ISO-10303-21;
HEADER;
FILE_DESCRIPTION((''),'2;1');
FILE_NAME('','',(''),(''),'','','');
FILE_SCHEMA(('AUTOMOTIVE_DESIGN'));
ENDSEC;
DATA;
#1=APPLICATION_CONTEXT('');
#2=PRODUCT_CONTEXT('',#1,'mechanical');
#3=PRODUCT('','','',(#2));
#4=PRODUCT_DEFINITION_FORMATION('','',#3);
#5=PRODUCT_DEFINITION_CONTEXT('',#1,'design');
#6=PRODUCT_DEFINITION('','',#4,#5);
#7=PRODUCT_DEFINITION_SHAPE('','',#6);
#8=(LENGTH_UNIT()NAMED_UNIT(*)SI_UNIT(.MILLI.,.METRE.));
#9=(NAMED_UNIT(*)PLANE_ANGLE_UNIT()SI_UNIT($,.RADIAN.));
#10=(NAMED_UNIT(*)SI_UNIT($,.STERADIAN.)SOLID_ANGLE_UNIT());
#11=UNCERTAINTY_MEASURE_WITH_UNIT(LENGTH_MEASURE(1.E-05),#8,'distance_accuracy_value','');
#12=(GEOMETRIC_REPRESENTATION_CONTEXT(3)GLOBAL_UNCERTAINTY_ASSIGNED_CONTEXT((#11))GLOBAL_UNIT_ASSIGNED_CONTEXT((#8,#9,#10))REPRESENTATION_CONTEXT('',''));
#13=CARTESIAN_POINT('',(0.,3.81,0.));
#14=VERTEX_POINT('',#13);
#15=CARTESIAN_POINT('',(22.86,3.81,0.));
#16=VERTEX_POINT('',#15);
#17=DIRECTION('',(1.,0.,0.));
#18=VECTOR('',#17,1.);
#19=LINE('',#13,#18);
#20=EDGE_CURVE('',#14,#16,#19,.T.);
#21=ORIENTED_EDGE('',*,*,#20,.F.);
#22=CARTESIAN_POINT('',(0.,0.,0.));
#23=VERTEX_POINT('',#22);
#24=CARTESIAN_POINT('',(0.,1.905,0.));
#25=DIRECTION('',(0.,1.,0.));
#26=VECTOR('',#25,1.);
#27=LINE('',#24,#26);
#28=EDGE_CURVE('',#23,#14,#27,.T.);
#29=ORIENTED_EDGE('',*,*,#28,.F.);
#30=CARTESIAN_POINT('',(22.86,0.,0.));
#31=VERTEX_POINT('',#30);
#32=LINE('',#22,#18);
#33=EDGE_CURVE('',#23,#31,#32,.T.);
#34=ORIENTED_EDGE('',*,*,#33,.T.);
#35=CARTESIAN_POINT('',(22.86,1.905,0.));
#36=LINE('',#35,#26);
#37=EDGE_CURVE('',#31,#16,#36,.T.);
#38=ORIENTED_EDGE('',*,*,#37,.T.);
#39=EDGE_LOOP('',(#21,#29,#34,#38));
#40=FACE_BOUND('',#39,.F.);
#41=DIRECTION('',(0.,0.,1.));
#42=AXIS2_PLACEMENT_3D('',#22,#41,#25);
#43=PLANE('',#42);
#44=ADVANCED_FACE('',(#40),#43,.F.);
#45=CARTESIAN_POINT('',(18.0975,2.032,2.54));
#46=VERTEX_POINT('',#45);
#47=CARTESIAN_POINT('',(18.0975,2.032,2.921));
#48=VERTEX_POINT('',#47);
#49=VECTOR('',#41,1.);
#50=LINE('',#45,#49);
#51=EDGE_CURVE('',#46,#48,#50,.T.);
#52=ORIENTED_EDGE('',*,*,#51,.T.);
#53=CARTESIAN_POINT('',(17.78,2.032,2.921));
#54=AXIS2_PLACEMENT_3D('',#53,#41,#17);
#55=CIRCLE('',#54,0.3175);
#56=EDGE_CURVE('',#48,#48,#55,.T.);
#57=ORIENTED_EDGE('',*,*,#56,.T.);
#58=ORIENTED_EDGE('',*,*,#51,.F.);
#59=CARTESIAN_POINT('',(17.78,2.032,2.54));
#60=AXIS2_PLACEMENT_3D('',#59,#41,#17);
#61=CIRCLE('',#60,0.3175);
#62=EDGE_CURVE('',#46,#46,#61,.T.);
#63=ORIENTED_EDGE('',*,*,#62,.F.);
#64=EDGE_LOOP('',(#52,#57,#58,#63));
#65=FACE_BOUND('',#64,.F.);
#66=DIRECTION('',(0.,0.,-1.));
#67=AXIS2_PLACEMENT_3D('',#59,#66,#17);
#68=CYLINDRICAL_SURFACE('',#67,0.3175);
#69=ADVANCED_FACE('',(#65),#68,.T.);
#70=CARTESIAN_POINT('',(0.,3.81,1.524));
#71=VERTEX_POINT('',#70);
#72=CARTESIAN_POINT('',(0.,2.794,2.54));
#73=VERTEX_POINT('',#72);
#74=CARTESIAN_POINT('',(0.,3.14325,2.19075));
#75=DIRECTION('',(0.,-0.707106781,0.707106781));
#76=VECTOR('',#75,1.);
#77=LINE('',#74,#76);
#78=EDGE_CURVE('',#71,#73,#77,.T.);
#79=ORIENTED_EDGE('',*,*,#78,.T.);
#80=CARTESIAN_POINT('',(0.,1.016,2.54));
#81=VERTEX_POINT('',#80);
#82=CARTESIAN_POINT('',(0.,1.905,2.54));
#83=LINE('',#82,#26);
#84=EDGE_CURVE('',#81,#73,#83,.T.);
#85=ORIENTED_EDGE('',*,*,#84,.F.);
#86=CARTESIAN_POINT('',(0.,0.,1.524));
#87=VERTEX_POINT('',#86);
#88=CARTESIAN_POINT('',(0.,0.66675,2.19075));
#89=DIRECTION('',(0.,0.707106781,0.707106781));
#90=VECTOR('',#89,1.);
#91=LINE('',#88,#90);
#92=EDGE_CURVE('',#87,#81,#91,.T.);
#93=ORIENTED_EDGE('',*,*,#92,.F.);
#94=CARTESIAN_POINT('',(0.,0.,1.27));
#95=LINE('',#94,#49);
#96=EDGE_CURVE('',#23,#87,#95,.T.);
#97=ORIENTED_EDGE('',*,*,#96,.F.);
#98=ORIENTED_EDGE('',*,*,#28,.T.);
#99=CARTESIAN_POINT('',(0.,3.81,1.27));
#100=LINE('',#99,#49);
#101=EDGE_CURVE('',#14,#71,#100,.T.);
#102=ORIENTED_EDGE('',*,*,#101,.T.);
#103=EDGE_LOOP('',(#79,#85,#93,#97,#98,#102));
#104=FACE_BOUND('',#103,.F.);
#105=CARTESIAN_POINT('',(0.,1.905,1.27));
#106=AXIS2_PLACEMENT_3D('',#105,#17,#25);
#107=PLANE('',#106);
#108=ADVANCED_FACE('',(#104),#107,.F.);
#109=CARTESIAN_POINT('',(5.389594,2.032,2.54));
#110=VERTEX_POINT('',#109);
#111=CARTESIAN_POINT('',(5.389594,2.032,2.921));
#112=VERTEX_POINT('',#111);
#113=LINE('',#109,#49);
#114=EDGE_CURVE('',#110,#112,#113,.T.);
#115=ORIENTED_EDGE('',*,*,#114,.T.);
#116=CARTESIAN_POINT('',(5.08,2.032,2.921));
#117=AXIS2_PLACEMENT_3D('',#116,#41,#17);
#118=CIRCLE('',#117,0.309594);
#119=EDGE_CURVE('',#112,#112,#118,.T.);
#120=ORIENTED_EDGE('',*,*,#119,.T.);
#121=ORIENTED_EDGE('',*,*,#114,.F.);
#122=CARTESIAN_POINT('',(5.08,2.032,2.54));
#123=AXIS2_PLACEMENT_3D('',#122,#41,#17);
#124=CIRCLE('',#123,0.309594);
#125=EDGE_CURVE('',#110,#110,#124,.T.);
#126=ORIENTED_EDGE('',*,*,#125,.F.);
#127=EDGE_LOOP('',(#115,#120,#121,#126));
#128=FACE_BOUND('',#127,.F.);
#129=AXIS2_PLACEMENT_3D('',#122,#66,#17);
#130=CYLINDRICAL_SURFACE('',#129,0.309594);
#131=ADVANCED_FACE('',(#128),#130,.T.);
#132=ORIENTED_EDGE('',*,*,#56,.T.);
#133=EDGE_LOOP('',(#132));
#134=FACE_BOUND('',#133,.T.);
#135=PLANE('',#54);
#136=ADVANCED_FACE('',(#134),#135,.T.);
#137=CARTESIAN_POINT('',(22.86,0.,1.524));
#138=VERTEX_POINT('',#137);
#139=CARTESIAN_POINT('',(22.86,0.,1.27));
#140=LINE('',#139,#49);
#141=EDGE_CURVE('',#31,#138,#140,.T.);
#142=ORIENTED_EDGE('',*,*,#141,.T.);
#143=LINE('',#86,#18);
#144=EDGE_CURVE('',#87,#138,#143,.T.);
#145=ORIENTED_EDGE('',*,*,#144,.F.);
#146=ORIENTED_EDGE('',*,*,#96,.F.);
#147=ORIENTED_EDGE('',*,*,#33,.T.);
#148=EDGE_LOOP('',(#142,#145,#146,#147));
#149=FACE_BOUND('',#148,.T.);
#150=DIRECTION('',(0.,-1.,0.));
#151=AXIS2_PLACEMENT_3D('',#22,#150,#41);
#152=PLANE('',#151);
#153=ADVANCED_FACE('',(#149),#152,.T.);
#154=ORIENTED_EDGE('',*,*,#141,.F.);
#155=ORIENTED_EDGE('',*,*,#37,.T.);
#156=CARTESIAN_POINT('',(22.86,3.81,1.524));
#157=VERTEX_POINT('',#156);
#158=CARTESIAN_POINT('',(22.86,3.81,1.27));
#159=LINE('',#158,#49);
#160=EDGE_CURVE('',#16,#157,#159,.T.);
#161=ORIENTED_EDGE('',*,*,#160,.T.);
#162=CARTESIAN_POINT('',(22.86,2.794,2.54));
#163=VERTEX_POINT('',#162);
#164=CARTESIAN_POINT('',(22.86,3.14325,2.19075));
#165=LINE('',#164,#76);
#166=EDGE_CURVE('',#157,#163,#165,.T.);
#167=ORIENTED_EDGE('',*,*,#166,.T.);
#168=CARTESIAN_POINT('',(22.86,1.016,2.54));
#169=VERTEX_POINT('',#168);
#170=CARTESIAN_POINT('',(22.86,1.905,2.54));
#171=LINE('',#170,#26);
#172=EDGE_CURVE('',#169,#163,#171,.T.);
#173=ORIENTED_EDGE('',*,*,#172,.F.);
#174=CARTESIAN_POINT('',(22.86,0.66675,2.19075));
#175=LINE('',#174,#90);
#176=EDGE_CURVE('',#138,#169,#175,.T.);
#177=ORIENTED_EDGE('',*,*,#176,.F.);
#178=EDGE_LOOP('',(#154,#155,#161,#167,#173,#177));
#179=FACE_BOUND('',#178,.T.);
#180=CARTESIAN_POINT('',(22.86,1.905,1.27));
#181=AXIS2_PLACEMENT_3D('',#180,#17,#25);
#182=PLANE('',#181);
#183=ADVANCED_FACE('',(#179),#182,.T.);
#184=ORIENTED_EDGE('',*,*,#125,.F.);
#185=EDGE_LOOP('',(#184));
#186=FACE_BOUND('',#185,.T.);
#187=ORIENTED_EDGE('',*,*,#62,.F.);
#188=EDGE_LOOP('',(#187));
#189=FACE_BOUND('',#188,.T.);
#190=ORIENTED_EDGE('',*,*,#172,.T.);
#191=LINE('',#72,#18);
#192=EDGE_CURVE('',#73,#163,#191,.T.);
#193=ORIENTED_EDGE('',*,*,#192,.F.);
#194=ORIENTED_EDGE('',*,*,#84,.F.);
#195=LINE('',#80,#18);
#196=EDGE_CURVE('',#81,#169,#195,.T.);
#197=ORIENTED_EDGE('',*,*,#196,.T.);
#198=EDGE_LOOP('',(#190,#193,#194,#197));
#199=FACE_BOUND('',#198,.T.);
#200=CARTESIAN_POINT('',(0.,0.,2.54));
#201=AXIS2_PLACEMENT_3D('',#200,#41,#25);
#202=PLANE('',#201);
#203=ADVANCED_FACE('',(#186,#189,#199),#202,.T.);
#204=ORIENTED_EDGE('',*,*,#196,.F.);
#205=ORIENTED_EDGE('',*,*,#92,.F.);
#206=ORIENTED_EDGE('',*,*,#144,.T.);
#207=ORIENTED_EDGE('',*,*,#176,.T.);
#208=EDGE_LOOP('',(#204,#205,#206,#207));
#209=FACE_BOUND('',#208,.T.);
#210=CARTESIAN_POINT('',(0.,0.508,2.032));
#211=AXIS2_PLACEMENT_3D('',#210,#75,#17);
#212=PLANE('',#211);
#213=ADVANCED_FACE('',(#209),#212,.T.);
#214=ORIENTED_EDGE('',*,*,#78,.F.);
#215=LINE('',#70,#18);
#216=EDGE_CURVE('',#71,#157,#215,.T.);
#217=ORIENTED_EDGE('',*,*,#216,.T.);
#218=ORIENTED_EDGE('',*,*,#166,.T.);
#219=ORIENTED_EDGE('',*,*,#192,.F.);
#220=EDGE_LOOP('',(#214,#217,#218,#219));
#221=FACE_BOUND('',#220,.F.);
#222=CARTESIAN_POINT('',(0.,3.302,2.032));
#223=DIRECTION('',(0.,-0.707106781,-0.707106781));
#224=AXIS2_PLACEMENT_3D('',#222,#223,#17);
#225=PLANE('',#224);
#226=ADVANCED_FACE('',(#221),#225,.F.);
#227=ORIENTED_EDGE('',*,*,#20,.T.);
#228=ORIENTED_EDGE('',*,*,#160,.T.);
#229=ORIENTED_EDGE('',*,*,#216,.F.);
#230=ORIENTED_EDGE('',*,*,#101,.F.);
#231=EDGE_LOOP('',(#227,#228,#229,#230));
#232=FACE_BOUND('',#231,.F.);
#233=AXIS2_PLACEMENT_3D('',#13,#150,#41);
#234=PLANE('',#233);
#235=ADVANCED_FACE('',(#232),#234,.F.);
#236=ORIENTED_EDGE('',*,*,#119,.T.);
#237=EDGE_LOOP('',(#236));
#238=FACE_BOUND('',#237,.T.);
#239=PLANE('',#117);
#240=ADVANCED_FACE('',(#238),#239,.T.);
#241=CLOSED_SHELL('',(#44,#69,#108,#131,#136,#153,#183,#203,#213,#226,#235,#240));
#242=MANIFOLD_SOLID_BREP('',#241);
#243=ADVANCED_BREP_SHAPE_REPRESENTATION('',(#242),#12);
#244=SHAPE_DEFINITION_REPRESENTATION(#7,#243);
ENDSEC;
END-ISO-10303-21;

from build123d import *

# Parameters (mm, degrees)
F0_W     = 3.81
F0_H     = 2.54
F1_DEPTH = 22.86
F2_SIZE  = 1.016
F3_R     = 0.309594
F3_R_2   = 0.3175
F4_DEPTH = 0.381


with BuildPart() as f1:
    # F0 (on Right) → F1 (new body)
    with BuildSketch(Plane.YZ):
        with Locations((1.905, 1.27)):
            Rectangle(F0_W, F0_H)
    extrude(amount=F1_DEPTH)

    # F2
    f2_edges = [f1.edges().sort_by_distance(p)[0] for p in [
        (11.43, 0, 2.54),
        (11.43, 3.81, 2.54),
    ]]
    chamfer(f2_edges, length=F2_SIZE)

    # F3 (on face) → F4 (join)
    with BuildSketch(Plane.XY.offset(2.54)):
        with Locations((5.08, 2.032)):
            Circle(F3_R)
        with Locations((17.78, 2.032)):
            Circle(F3_R_2)
    extrude(amount=F4_DEPTH)


solid = f1.part
